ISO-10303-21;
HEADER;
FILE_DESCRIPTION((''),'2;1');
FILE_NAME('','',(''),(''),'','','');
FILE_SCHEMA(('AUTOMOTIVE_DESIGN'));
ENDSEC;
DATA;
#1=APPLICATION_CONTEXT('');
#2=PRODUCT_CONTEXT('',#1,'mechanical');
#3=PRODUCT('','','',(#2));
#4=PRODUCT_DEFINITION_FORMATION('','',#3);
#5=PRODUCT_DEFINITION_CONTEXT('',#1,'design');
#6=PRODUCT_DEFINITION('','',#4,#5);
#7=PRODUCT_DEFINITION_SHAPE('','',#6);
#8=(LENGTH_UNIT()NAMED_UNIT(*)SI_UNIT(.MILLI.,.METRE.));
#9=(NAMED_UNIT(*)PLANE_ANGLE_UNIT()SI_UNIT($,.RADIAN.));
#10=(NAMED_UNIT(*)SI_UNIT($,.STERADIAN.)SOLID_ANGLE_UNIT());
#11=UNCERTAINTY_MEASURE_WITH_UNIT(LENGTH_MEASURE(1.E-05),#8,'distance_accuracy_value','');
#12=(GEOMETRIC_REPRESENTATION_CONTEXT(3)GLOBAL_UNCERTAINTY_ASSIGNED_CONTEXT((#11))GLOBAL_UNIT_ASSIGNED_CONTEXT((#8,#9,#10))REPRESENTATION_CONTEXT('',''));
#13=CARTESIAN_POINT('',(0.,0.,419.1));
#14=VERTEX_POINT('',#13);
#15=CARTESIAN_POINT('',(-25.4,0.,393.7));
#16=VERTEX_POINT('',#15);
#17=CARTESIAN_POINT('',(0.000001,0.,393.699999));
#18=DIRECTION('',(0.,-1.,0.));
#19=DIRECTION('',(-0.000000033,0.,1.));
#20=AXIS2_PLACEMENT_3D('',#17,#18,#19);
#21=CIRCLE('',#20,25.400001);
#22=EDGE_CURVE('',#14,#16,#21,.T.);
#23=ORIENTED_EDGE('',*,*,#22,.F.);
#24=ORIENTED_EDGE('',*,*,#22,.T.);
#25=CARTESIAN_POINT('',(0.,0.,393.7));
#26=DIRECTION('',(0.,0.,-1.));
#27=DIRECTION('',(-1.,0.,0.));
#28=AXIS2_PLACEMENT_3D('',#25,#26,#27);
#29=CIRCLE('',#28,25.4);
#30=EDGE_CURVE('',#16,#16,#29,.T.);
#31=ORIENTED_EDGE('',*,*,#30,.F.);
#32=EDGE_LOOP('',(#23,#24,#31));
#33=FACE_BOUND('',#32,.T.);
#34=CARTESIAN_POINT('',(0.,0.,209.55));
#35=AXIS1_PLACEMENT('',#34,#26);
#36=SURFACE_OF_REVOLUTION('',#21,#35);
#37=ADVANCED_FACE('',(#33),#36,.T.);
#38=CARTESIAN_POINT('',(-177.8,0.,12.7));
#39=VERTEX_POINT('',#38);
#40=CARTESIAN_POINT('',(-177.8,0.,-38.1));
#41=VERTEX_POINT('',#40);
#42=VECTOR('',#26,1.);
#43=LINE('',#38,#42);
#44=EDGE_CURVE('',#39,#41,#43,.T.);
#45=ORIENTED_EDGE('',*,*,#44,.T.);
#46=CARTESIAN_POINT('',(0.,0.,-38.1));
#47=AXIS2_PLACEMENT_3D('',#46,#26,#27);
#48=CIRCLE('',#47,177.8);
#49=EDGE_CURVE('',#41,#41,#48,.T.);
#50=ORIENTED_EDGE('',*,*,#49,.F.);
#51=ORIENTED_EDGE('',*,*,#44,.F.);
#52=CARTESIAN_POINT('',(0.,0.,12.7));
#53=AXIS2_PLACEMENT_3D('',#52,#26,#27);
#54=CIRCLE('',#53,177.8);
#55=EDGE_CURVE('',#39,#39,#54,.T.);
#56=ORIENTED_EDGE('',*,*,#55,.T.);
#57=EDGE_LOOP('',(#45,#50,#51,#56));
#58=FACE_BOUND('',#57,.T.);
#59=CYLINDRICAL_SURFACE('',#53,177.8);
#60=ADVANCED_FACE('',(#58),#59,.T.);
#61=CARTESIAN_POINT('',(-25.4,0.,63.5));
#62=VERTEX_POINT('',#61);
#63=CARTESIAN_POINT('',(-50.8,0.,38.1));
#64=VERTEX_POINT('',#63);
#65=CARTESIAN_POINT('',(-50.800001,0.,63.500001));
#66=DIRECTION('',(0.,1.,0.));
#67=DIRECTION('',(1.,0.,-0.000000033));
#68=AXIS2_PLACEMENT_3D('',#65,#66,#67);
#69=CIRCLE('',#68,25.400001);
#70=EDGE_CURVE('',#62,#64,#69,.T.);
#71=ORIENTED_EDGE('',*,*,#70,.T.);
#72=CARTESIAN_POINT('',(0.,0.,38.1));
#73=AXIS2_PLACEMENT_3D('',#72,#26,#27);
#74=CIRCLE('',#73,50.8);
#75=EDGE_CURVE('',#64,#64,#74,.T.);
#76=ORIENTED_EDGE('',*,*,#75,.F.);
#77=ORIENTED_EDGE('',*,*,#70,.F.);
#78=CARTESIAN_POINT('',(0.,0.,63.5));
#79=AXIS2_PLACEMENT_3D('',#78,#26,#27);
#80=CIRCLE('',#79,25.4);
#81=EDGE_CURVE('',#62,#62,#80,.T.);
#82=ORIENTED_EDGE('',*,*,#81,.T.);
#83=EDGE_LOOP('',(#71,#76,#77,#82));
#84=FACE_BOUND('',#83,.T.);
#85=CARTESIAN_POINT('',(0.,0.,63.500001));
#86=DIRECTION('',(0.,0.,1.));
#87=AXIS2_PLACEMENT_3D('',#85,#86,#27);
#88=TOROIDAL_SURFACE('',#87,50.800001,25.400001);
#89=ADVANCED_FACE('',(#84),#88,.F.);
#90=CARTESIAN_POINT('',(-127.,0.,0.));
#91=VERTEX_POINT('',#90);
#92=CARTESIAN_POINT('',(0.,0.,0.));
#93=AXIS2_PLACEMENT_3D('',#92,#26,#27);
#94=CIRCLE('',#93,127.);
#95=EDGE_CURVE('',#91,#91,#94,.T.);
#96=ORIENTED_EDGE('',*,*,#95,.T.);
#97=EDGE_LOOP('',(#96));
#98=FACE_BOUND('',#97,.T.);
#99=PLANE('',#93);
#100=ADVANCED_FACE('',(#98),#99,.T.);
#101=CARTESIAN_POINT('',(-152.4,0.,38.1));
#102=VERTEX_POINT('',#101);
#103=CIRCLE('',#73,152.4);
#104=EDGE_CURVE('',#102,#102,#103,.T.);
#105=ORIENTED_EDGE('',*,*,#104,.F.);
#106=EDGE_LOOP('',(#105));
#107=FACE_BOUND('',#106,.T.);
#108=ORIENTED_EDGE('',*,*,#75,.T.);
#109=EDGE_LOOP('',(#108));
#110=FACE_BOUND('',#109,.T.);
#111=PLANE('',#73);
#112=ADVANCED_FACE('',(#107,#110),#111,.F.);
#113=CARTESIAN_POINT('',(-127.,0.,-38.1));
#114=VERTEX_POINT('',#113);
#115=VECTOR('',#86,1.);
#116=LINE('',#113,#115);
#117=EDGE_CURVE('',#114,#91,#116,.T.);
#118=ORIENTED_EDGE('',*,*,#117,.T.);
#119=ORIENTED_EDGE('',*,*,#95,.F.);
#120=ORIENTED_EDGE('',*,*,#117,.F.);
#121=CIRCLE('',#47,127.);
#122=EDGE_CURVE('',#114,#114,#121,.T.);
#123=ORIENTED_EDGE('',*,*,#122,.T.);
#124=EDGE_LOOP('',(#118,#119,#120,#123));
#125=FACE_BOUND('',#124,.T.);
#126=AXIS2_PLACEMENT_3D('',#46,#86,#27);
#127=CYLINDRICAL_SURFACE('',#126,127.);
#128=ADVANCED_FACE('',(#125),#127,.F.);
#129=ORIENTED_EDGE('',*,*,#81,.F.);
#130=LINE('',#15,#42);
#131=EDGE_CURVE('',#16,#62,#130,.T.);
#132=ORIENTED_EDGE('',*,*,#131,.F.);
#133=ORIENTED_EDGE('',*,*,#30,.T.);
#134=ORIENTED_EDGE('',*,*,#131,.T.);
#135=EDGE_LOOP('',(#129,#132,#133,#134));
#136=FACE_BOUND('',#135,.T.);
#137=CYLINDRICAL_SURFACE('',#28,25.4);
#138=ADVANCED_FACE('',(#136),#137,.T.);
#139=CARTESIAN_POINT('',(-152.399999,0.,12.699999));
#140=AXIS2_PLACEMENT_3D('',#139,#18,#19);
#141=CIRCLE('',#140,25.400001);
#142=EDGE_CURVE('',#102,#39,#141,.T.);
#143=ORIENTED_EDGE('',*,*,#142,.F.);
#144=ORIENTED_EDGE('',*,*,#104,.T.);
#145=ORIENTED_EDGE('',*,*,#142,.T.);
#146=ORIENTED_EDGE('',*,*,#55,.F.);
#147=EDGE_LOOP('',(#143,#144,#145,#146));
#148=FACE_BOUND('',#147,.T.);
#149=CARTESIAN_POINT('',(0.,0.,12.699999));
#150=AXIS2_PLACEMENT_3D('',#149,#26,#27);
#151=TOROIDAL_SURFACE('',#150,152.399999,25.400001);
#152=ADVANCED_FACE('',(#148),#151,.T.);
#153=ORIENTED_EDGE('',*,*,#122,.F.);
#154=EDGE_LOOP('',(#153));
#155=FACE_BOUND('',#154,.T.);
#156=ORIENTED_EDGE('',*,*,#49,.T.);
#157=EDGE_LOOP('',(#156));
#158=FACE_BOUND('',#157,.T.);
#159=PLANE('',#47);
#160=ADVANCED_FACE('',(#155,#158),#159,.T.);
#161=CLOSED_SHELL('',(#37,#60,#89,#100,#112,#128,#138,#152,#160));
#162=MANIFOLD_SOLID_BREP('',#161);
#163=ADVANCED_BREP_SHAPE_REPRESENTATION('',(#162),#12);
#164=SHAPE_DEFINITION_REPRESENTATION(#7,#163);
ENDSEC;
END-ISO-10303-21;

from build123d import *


with BuildPart() as f1:
    # F0 (on Front) → F1 (revolve)
    with BuildSketch(Plane.XZ):
        with BuildLine():
            Line((-127, 0), (0, 0))
            Line((0, 0), (0, 419.1))
            ThreePointArc((0, 419.1), (-17.960512, 411.660512), (-25.4, 393.7))
            Line((-25.4, 393.7), (-25.4, 63.5))
            ThreePointArc((-25.4, 63.5), (-32.839488, 45.539488), (-50.8, 38.1))
            Line((-50.8, 38.1), (-152.4, 38.1))
            ThreePointArc((-152.4, 38.1), (-170.360512, 30.660512), (-177.8, 12.7))
            Line((-177.8, 12.7), (-177.8, -38.1))
            Line((-177.8, -38.1), (-127, -38.1))
            Line((-127, -38.1), (-127, 0))
        make_face()
    revolve(axis=Axis((0, 0, 209.55), (0, 0, -1)))


solid = f1.part
